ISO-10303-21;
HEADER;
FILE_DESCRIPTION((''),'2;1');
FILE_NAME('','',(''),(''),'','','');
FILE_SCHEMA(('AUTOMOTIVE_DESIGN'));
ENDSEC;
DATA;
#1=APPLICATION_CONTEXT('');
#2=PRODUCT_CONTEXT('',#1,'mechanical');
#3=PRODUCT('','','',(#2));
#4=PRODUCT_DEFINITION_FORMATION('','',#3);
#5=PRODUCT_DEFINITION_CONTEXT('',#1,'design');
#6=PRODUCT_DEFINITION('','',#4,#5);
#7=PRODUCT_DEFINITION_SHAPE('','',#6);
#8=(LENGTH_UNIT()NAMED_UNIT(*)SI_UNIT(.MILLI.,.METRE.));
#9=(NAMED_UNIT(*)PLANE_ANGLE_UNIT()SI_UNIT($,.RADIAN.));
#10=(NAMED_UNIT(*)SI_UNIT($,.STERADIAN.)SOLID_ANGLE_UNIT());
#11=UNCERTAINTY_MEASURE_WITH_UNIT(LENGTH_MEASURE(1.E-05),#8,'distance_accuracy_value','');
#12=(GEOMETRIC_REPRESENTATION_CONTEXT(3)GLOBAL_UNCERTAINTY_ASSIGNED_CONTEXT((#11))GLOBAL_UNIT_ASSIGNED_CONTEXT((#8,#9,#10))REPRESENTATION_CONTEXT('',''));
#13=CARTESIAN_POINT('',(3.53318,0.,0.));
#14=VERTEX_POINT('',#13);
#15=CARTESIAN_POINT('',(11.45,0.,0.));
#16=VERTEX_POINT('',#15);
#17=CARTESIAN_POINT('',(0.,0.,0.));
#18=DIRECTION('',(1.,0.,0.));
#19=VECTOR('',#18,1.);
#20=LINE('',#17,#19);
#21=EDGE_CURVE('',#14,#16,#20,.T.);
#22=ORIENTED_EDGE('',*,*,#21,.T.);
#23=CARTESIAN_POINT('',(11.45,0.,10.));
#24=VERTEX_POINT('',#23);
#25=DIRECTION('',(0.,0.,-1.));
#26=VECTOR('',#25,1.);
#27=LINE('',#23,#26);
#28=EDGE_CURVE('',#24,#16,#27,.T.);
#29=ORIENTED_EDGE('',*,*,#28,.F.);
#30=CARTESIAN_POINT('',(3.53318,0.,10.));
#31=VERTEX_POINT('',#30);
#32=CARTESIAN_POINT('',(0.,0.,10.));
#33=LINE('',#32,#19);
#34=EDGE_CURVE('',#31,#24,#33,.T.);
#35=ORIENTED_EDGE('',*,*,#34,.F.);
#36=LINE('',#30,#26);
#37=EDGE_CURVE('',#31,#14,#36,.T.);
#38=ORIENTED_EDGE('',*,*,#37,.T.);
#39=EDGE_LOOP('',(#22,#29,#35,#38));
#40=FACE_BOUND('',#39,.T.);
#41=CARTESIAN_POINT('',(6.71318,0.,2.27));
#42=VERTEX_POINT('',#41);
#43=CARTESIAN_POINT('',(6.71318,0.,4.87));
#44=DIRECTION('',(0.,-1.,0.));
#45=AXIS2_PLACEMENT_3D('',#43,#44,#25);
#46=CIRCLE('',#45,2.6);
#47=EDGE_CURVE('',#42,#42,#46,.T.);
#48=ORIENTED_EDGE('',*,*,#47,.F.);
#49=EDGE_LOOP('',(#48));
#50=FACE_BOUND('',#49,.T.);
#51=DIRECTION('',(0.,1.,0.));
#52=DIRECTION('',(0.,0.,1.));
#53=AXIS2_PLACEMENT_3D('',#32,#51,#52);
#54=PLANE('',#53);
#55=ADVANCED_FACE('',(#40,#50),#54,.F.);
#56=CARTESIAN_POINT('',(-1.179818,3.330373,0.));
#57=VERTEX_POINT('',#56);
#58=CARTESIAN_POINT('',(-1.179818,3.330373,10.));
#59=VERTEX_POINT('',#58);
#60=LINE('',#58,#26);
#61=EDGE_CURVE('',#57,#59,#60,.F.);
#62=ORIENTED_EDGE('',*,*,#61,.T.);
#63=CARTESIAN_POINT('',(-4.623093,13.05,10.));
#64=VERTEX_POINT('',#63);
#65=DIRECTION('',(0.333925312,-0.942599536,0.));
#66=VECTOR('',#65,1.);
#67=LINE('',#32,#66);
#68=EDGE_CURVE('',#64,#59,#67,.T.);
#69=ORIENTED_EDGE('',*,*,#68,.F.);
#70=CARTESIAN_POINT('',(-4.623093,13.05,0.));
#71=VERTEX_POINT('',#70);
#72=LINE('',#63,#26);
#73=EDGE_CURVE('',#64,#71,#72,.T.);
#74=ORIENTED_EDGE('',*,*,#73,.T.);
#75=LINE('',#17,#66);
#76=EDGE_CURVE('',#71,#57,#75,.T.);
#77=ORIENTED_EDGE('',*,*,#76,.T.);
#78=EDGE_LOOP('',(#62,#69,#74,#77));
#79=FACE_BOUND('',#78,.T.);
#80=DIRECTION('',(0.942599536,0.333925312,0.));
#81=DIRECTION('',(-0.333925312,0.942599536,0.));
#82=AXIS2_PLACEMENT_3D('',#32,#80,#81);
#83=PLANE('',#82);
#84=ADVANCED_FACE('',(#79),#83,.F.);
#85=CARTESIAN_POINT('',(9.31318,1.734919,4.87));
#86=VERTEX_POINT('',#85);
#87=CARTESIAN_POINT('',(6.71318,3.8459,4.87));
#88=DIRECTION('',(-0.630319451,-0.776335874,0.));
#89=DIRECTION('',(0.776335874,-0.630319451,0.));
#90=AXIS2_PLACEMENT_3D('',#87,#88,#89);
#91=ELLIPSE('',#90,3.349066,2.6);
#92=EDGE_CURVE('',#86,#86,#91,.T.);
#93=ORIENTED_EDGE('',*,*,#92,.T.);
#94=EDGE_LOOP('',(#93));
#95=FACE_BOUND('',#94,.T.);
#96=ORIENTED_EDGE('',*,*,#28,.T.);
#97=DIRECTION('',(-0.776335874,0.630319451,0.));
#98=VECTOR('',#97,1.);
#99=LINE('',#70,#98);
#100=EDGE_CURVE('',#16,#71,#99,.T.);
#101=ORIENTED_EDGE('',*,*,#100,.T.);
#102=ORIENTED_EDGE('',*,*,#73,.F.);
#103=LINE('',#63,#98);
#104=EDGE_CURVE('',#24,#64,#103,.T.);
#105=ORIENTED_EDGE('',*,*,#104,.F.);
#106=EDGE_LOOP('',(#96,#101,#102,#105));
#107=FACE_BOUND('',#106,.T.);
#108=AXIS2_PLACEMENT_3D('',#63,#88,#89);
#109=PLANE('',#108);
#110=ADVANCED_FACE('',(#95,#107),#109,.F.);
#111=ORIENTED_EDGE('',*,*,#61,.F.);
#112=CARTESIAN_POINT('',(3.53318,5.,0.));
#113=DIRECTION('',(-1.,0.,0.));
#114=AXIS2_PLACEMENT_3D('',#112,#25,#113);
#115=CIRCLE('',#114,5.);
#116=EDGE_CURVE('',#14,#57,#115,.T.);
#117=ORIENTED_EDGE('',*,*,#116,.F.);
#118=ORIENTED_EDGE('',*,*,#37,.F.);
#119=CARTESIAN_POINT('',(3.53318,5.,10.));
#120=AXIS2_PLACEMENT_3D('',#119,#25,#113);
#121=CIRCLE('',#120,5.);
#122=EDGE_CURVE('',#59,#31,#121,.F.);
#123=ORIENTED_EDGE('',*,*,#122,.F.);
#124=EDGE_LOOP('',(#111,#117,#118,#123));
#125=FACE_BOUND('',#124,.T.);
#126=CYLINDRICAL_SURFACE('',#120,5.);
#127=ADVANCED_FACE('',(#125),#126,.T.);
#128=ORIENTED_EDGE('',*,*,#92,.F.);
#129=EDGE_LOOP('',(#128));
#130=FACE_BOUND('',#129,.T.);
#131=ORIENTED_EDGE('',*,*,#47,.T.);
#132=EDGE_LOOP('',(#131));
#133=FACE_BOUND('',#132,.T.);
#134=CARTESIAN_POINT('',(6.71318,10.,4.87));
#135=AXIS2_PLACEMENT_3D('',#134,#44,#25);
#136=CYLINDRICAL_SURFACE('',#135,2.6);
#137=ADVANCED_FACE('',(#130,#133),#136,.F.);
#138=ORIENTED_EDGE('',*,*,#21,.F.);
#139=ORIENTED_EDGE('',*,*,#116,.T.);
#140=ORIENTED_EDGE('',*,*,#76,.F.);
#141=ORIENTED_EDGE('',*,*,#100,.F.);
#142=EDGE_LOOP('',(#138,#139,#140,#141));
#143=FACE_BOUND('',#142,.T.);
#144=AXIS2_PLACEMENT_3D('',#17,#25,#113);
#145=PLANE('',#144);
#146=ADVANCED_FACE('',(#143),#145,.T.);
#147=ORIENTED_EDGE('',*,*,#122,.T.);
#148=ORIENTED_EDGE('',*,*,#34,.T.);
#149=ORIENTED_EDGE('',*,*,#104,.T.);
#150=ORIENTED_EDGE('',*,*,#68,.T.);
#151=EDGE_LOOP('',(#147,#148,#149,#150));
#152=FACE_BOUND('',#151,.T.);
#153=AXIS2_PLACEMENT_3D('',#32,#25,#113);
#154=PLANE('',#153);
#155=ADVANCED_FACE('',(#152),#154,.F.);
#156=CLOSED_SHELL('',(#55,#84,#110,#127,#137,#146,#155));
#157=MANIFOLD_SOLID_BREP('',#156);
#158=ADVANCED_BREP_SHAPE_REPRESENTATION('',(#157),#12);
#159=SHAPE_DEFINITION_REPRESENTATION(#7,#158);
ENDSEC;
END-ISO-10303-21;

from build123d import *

# Parameters (mm, degrees)
BOSS_EXTRUDE1_DEPTH = 10
FILLET1_R           = 5
SKETCH4_R           = 2.6
CUT_EXTRUDE1_DEPTH  = 10


with BuildPart() as part:
    # Sketch2 → Boss-Extrude1 (new body)
    with BuildSketch(Plane.XY):
        Polygon((0, 0), (11.45, 0), (-4.62309301, 13.05), align=None)
    extrude(amount=BOSS_EXTRUDE1_DEPTH)

    # Fillet1
    fillet1_edges = [part.edges().sort_by_distance(p)[0] for p in [
        (0, 0, 5),
    ]]
    fillet(fillet1_edges, radius=FILLET1_R)

    # Sketch4 → Cut-Extrude1 (cut)
    with BuildSketch(Plane.XZ):
        with Locations(Location((6.713179585, 4.87, 0), (0, 0, 270))):
            Circle(SKETCH4_R)
    extrude(amount=-CUT_EXTRUDE1_DEPTH, mode=Mode.SUBTRACT)


solid = part.part
